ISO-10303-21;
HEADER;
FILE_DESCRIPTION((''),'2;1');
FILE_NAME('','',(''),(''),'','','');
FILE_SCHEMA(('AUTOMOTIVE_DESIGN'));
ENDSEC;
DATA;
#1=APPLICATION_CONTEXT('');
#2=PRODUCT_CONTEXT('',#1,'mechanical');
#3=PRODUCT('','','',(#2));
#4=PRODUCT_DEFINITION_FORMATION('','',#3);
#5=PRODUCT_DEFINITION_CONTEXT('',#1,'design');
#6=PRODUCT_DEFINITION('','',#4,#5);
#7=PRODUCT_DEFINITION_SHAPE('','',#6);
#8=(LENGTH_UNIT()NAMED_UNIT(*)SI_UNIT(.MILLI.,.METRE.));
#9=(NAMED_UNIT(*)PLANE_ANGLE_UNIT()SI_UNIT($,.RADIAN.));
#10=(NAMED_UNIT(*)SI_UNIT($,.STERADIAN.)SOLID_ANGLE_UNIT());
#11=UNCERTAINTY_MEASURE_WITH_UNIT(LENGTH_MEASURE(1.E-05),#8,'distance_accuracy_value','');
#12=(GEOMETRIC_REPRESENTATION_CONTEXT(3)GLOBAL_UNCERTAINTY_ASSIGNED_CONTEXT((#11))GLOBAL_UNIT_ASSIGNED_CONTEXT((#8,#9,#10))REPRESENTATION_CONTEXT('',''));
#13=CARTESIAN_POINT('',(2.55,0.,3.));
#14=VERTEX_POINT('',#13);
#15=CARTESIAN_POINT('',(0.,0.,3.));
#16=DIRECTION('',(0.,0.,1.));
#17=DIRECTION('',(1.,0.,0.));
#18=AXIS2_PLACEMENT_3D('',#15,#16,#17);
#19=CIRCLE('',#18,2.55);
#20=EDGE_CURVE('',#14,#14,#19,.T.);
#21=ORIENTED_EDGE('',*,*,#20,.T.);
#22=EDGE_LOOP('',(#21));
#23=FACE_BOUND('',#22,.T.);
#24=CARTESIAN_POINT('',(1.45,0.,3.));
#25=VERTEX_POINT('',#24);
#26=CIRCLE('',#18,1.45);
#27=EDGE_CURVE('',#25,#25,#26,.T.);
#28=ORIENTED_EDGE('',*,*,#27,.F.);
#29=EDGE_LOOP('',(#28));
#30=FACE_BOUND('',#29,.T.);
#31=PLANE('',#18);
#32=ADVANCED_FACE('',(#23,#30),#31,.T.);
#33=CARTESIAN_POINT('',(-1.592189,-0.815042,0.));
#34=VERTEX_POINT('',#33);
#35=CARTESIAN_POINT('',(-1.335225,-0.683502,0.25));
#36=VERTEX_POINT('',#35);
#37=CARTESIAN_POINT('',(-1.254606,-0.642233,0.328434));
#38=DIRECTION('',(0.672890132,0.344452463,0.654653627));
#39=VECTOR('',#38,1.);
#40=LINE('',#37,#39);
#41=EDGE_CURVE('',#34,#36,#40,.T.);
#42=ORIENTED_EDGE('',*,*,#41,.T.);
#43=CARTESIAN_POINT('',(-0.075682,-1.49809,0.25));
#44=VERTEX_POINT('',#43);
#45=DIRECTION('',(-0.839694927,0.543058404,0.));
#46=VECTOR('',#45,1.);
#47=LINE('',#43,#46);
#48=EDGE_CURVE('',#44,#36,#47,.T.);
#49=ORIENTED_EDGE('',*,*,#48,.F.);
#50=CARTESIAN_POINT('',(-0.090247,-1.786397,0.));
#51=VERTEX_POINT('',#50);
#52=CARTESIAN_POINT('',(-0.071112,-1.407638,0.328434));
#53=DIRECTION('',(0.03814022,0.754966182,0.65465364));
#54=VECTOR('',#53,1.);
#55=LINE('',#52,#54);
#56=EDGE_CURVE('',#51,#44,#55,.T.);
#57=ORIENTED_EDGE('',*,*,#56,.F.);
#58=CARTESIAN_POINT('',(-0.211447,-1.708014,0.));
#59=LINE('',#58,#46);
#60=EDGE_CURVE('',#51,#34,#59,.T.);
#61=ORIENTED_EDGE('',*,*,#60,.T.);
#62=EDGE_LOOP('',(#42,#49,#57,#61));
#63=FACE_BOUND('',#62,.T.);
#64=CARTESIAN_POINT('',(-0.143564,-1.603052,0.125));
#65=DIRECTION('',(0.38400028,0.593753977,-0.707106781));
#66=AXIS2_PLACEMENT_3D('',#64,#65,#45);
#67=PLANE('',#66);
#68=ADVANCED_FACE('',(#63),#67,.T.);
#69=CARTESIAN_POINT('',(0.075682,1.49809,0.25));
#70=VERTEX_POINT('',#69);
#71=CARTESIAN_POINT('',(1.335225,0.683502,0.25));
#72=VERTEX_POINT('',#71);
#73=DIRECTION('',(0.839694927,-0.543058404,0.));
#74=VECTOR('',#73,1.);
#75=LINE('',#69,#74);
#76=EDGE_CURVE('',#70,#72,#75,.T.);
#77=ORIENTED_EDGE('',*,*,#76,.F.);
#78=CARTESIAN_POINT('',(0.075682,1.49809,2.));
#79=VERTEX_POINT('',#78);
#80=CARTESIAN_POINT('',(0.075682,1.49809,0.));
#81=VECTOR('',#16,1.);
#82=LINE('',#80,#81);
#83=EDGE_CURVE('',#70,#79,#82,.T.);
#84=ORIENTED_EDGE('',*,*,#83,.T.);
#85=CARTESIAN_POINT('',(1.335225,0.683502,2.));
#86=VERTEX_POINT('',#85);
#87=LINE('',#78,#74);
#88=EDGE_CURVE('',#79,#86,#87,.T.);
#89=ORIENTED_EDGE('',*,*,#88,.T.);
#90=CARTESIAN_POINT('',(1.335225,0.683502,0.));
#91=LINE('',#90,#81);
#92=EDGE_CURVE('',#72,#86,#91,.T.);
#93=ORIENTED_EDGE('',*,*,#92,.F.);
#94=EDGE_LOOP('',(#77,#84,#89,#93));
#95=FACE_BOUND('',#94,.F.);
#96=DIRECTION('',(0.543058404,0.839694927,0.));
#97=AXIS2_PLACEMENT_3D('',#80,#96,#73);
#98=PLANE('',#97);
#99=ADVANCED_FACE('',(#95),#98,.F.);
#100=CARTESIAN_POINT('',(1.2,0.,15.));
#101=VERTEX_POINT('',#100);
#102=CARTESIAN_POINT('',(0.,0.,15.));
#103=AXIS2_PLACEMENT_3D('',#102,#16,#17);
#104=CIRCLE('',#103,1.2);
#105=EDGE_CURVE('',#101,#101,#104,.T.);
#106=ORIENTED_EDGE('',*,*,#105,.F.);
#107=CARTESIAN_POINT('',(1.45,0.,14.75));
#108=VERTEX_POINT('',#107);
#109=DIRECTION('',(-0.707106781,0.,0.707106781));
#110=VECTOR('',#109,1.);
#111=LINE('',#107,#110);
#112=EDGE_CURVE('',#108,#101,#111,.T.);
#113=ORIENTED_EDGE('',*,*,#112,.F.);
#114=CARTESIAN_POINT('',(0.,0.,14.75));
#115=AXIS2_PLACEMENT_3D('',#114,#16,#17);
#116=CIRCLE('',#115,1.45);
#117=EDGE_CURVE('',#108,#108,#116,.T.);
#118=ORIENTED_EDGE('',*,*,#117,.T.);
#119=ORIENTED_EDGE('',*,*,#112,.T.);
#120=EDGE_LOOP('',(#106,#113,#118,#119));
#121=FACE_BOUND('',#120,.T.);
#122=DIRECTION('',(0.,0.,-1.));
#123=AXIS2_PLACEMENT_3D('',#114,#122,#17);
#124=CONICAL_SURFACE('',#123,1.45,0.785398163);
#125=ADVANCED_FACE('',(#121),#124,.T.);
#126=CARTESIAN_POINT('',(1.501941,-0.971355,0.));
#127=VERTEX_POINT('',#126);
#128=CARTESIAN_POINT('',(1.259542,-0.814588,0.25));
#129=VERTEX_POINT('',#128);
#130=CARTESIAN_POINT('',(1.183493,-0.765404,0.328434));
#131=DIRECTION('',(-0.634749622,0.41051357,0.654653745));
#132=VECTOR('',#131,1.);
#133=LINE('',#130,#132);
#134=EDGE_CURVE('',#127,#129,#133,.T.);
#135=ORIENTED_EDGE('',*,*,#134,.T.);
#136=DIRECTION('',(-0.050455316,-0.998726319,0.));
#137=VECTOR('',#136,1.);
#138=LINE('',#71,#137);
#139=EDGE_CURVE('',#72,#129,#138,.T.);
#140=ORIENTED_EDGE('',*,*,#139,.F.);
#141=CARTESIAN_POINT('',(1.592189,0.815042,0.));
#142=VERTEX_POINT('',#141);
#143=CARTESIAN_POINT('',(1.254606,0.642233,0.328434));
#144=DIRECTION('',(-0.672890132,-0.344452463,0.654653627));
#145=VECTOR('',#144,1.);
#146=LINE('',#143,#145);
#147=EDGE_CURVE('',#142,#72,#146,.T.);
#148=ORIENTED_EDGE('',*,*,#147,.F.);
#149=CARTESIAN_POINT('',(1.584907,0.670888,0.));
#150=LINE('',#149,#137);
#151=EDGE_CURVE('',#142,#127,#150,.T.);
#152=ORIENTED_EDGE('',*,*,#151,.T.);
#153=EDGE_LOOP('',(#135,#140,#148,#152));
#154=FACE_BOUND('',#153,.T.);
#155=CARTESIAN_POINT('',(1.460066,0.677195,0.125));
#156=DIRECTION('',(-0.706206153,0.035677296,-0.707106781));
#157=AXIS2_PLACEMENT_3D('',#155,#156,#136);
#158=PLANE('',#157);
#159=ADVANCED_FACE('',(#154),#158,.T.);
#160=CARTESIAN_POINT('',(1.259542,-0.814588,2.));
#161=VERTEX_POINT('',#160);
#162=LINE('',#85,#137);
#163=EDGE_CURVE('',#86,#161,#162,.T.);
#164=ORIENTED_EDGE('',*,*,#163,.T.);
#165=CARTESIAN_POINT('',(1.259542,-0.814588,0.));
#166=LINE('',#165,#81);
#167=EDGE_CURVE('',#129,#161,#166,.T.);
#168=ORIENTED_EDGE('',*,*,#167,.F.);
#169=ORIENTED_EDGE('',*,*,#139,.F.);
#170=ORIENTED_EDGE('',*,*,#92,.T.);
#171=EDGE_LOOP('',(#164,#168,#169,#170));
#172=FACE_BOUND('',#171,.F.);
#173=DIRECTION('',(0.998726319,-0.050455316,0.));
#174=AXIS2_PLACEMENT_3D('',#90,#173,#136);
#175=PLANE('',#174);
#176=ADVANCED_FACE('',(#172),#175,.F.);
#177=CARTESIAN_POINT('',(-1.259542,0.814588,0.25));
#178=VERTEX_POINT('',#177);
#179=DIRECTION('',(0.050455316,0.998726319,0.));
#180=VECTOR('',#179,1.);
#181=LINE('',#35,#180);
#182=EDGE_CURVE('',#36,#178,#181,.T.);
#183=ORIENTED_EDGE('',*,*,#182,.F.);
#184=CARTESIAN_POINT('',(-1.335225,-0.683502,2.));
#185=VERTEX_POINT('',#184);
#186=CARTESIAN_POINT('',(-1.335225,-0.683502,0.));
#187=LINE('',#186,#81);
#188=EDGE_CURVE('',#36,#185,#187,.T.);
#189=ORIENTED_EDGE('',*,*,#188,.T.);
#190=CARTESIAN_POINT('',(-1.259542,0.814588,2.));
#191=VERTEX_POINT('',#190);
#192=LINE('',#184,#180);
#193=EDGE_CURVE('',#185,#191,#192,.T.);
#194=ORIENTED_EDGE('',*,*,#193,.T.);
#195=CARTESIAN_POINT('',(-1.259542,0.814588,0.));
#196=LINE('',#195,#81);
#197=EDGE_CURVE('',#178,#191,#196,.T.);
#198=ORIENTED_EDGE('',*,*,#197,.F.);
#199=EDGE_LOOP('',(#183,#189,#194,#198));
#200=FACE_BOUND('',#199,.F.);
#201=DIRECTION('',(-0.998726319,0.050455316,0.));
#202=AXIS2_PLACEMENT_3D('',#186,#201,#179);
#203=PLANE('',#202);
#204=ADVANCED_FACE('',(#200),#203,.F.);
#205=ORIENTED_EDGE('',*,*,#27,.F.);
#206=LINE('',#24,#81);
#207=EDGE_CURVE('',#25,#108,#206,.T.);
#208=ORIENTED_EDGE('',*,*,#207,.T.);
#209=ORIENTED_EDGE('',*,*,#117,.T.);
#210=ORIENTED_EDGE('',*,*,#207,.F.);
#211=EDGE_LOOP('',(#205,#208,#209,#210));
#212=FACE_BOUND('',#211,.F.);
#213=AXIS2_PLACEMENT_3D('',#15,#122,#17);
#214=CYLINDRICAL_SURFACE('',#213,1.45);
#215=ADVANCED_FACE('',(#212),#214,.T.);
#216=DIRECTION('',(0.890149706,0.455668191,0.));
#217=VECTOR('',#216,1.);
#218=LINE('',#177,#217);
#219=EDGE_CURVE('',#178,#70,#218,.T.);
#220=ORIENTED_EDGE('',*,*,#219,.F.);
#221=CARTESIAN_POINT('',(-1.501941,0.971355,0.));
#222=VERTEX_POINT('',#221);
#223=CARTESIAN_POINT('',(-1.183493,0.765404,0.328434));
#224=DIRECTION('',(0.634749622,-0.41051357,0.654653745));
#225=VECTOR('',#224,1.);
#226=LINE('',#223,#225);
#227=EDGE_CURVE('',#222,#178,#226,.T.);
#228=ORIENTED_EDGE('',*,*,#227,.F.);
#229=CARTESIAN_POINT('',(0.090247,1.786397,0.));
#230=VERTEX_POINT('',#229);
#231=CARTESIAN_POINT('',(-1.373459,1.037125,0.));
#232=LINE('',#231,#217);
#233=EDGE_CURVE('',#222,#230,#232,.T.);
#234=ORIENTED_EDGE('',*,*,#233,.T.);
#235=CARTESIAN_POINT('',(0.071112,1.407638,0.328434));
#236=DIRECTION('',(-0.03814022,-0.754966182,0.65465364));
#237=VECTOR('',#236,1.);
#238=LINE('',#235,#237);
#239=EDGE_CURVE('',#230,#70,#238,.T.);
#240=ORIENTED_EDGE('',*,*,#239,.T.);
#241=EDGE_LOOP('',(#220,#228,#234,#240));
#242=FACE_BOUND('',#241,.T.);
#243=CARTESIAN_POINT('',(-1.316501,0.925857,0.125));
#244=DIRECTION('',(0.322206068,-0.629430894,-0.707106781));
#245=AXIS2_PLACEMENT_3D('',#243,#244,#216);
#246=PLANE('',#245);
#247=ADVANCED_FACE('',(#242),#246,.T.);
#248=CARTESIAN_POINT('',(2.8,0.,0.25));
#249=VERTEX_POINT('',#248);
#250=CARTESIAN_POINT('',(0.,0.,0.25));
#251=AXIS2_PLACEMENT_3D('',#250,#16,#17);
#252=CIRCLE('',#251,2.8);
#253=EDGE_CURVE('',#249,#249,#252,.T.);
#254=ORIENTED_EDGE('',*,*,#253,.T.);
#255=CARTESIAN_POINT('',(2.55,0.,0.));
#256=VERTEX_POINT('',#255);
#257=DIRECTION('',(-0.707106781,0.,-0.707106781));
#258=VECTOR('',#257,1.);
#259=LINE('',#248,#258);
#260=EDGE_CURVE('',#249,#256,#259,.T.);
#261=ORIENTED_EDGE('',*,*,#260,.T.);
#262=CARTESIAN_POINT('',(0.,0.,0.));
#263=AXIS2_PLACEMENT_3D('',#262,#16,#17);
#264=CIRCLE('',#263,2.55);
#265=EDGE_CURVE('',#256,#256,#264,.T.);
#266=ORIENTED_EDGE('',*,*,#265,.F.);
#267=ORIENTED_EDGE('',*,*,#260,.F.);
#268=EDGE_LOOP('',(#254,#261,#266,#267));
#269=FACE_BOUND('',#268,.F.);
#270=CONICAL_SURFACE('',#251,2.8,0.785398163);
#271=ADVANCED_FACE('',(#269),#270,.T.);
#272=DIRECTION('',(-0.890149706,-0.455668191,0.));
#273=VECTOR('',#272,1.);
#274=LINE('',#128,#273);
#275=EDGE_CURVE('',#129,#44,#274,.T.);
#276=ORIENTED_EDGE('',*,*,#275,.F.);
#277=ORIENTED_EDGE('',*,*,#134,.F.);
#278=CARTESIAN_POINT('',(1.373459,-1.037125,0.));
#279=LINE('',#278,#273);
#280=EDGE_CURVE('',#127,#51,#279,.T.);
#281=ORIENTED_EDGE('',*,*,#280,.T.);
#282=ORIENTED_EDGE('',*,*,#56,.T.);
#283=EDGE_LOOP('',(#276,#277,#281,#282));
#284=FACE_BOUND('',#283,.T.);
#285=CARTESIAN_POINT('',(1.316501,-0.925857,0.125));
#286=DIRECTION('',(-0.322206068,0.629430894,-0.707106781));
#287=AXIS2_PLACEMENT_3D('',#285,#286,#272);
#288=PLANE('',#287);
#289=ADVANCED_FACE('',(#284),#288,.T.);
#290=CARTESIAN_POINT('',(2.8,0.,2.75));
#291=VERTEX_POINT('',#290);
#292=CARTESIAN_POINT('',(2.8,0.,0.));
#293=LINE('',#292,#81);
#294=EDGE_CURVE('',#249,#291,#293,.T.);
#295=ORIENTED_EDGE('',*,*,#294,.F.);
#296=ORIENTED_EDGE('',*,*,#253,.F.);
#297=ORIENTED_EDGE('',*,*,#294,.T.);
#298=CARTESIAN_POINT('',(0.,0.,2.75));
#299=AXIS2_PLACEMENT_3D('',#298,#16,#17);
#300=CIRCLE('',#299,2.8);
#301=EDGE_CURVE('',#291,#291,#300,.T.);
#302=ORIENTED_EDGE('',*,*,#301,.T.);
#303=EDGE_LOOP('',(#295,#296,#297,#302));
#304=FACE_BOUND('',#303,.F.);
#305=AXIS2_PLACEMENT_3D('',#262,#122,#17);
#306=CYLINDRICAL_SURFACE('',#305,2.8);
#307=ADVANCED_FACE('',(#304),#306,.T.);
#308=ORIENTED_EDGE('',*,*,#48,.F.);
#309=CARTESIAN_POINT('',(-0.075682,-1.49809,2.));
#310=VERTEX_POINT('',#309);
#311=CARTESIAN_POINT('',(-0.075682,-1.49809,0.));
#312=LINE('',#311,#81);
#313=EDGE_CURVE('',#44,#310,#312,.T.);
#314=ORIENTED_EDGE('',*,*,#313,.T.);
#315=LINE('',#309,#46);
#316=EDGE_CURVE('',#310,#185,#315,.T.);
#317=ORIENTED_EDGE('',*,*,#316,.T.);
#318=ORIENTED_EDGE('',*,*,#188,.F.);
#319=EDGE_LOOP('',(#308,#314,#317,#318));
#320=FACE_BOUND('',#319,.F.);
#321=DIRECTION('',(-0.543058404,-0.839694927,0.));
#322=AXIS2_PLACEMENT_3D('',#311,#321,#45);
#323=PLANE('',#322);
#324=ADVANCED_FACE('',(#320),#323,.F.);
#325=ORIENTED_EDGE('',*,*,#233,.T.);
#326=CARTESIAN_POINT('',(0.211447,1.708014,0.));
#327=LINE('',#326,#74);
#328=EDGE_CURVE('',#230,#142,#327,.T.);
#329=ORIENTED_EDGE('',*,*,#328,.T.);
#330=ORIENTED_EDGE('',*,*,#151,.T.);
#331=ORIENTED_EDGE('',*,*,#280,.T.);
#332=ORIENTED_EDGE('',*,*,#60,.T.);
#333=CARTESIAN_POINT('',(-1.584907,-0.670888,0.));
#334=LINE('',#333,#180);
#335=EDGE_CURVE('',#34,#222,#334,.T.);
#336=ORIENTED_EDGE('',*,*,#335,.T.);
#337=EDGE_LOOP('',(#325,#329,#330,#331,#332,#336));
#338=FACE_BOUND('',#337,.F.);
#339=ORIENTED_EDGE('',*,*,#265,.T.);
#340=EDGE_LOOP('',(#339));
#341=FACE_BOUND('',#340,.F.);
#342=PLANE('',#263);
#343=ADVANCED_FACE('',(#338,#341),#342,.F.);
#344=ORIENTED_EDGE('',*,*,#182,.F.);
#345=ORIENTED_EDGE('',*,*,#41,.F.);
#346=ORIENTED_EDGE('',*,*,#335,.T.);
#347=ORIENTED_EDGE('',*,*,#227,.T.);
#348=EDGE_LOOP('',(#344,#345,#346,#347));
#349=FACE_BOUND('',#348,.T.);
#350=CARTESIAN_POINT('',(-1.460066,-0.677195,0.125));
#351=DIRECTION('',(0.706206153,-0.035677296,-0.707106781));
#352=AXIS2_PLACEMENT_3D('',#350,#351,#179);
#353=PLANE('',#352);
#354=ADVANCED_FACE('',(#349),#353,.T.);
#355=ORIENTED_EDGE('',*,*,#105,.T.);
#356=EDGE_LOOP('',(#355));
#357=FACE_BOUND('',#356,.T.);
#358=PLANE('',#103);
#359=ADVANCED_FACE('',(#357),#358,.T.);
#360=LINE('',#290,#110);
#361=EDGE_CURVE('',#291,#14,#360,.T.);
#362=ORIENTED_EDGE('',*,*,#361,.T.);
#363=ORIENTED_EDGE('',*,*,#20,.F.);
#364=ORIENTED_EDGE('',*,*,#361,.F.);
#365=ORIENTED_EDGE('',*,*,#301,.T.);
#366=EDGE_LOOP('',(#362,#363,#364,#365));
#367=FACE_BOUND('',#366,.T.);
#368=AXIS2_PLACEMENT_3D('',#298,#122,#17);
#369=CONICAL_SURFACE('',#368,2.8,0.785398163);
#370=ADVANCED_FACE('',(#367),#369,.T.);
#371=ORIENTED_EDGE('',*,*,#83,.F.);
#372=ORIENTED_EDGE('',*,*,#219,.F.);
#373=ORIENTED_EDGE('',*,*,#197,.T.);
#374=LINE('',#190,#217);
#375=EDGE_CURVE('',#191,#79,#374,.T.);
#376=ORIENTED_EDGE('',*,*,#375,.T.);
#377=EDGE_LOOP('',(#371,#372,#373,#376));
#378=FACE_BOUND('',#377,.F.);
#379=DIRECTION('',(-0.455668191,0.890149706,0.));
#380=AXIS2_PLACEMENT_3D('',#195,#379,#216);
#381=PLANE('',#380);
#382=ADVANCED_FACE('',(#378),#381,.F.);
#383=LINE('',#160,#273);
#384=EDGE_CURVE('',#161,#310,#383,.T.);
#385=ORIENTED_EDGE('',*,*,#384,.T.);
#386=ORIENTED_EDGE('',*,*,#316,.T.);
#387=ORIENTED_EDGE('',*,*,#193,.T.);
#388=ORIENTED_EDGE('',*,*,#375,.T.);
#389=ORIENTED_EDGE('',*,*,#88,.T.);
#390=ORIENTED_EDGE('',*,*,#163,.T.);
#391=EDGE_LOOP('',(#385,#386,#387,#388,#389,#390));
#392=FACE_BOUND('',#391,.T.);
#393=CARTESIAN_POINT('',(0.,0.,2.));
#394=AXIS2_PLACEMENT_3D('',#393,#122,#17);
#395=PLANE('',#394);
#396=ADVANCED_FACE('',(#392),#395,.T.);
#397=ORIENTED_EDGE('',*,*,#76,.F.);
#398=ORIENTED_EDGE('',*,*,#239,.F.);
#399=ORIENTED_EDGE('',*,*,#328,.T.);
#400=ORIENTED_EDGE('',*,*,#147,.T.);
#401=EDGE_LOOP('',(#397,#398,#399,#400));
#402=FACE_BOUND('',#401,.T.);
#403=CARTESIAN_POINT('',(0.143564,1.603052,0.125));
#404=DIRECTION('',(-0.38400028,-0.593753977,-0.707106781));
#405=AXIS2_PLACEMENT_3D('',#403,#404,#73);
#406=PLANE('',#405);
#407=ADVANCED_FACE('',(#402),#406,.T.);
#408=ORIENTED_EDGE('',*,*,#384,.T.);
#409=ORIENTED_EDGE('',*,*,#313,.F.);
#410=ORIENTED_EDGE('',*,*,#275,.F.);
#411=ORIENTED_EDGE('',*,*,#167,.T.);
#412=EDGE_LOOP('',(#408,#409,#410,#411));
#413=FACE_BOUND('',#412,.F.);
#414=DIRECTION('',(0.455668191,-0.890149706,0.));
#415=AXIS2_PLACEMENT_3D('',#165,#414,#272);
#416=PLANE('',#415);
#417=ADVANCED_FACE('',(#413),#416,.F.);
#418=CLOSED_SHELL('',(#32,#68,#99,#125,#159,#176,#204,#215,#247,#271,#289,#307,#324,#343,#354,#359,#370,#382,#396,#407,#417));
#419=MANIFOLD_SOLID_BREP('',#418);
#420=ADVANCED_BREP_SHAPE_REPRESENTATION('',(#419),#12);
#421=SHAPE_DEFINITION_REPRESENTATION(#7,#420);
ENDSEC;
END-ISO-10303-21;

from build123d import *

# Parameters (mm, degrees)
SKETCH_R     = 2.8
PAD_DEPTH    = 3
SKETCH001_R  = 1.45
PAD001_DEPTH = 12
POCKET_DEPTH = 2
CHAMFER_SIZE = 0.25


with BuildPart() as part:
    # Sketch → Pad (new body)
    with BuildSketch(Plane.XY):
        Circle(SKETCH_R)
    extrude(amount=PAD_DEPTH)

    # Sketch001 (on Face3 of Pad) → Pad001 (join)
    with BuildSketch(Plane.XY.offset(3)):
        Circle(SKETCH001_R)
    extrude(amount=PAD001_DEPTH)

    # Sketch002 (on Face2 of Pad001) → Pocket (cut)
    with BuildSketch(Plane(origin=(0, 0, 0), x_dir=(1, 0, 0), z_dir=(0, 0, -1))):
        Polygon((1.259542, 0.814588), (-0.075682, 1.49809), (-1.335225, 0.683502), (-1.259542, -0.814588), (0.075682, -1.49809), (1.335225, -0.683502), align=None)
    extrude(amount=-POCKET_DEPTH, mode=Mode.SUBTRACT)

    # Chamfer
    chamfer_edges = [part.edges().sort_by_distance(p)[0] for p in [
        (-2.8, 0, 3),
        (-2.8, 0, 0),
        (1.297384, -0.065543, 0),
        (0.705454, 1.090796, 0),
        (-0.59193, 1.156339, 0),
        (-1.297384, 0.065543, 0),
        (-0.705454, -1.090796, 0),
        (0.59193, -1.156339, 0),
        (-1.45, 0, 15),
    ]]
    chamfer(chamfer_edges, length=CHAMFER_SIZE)


solid = part.part
